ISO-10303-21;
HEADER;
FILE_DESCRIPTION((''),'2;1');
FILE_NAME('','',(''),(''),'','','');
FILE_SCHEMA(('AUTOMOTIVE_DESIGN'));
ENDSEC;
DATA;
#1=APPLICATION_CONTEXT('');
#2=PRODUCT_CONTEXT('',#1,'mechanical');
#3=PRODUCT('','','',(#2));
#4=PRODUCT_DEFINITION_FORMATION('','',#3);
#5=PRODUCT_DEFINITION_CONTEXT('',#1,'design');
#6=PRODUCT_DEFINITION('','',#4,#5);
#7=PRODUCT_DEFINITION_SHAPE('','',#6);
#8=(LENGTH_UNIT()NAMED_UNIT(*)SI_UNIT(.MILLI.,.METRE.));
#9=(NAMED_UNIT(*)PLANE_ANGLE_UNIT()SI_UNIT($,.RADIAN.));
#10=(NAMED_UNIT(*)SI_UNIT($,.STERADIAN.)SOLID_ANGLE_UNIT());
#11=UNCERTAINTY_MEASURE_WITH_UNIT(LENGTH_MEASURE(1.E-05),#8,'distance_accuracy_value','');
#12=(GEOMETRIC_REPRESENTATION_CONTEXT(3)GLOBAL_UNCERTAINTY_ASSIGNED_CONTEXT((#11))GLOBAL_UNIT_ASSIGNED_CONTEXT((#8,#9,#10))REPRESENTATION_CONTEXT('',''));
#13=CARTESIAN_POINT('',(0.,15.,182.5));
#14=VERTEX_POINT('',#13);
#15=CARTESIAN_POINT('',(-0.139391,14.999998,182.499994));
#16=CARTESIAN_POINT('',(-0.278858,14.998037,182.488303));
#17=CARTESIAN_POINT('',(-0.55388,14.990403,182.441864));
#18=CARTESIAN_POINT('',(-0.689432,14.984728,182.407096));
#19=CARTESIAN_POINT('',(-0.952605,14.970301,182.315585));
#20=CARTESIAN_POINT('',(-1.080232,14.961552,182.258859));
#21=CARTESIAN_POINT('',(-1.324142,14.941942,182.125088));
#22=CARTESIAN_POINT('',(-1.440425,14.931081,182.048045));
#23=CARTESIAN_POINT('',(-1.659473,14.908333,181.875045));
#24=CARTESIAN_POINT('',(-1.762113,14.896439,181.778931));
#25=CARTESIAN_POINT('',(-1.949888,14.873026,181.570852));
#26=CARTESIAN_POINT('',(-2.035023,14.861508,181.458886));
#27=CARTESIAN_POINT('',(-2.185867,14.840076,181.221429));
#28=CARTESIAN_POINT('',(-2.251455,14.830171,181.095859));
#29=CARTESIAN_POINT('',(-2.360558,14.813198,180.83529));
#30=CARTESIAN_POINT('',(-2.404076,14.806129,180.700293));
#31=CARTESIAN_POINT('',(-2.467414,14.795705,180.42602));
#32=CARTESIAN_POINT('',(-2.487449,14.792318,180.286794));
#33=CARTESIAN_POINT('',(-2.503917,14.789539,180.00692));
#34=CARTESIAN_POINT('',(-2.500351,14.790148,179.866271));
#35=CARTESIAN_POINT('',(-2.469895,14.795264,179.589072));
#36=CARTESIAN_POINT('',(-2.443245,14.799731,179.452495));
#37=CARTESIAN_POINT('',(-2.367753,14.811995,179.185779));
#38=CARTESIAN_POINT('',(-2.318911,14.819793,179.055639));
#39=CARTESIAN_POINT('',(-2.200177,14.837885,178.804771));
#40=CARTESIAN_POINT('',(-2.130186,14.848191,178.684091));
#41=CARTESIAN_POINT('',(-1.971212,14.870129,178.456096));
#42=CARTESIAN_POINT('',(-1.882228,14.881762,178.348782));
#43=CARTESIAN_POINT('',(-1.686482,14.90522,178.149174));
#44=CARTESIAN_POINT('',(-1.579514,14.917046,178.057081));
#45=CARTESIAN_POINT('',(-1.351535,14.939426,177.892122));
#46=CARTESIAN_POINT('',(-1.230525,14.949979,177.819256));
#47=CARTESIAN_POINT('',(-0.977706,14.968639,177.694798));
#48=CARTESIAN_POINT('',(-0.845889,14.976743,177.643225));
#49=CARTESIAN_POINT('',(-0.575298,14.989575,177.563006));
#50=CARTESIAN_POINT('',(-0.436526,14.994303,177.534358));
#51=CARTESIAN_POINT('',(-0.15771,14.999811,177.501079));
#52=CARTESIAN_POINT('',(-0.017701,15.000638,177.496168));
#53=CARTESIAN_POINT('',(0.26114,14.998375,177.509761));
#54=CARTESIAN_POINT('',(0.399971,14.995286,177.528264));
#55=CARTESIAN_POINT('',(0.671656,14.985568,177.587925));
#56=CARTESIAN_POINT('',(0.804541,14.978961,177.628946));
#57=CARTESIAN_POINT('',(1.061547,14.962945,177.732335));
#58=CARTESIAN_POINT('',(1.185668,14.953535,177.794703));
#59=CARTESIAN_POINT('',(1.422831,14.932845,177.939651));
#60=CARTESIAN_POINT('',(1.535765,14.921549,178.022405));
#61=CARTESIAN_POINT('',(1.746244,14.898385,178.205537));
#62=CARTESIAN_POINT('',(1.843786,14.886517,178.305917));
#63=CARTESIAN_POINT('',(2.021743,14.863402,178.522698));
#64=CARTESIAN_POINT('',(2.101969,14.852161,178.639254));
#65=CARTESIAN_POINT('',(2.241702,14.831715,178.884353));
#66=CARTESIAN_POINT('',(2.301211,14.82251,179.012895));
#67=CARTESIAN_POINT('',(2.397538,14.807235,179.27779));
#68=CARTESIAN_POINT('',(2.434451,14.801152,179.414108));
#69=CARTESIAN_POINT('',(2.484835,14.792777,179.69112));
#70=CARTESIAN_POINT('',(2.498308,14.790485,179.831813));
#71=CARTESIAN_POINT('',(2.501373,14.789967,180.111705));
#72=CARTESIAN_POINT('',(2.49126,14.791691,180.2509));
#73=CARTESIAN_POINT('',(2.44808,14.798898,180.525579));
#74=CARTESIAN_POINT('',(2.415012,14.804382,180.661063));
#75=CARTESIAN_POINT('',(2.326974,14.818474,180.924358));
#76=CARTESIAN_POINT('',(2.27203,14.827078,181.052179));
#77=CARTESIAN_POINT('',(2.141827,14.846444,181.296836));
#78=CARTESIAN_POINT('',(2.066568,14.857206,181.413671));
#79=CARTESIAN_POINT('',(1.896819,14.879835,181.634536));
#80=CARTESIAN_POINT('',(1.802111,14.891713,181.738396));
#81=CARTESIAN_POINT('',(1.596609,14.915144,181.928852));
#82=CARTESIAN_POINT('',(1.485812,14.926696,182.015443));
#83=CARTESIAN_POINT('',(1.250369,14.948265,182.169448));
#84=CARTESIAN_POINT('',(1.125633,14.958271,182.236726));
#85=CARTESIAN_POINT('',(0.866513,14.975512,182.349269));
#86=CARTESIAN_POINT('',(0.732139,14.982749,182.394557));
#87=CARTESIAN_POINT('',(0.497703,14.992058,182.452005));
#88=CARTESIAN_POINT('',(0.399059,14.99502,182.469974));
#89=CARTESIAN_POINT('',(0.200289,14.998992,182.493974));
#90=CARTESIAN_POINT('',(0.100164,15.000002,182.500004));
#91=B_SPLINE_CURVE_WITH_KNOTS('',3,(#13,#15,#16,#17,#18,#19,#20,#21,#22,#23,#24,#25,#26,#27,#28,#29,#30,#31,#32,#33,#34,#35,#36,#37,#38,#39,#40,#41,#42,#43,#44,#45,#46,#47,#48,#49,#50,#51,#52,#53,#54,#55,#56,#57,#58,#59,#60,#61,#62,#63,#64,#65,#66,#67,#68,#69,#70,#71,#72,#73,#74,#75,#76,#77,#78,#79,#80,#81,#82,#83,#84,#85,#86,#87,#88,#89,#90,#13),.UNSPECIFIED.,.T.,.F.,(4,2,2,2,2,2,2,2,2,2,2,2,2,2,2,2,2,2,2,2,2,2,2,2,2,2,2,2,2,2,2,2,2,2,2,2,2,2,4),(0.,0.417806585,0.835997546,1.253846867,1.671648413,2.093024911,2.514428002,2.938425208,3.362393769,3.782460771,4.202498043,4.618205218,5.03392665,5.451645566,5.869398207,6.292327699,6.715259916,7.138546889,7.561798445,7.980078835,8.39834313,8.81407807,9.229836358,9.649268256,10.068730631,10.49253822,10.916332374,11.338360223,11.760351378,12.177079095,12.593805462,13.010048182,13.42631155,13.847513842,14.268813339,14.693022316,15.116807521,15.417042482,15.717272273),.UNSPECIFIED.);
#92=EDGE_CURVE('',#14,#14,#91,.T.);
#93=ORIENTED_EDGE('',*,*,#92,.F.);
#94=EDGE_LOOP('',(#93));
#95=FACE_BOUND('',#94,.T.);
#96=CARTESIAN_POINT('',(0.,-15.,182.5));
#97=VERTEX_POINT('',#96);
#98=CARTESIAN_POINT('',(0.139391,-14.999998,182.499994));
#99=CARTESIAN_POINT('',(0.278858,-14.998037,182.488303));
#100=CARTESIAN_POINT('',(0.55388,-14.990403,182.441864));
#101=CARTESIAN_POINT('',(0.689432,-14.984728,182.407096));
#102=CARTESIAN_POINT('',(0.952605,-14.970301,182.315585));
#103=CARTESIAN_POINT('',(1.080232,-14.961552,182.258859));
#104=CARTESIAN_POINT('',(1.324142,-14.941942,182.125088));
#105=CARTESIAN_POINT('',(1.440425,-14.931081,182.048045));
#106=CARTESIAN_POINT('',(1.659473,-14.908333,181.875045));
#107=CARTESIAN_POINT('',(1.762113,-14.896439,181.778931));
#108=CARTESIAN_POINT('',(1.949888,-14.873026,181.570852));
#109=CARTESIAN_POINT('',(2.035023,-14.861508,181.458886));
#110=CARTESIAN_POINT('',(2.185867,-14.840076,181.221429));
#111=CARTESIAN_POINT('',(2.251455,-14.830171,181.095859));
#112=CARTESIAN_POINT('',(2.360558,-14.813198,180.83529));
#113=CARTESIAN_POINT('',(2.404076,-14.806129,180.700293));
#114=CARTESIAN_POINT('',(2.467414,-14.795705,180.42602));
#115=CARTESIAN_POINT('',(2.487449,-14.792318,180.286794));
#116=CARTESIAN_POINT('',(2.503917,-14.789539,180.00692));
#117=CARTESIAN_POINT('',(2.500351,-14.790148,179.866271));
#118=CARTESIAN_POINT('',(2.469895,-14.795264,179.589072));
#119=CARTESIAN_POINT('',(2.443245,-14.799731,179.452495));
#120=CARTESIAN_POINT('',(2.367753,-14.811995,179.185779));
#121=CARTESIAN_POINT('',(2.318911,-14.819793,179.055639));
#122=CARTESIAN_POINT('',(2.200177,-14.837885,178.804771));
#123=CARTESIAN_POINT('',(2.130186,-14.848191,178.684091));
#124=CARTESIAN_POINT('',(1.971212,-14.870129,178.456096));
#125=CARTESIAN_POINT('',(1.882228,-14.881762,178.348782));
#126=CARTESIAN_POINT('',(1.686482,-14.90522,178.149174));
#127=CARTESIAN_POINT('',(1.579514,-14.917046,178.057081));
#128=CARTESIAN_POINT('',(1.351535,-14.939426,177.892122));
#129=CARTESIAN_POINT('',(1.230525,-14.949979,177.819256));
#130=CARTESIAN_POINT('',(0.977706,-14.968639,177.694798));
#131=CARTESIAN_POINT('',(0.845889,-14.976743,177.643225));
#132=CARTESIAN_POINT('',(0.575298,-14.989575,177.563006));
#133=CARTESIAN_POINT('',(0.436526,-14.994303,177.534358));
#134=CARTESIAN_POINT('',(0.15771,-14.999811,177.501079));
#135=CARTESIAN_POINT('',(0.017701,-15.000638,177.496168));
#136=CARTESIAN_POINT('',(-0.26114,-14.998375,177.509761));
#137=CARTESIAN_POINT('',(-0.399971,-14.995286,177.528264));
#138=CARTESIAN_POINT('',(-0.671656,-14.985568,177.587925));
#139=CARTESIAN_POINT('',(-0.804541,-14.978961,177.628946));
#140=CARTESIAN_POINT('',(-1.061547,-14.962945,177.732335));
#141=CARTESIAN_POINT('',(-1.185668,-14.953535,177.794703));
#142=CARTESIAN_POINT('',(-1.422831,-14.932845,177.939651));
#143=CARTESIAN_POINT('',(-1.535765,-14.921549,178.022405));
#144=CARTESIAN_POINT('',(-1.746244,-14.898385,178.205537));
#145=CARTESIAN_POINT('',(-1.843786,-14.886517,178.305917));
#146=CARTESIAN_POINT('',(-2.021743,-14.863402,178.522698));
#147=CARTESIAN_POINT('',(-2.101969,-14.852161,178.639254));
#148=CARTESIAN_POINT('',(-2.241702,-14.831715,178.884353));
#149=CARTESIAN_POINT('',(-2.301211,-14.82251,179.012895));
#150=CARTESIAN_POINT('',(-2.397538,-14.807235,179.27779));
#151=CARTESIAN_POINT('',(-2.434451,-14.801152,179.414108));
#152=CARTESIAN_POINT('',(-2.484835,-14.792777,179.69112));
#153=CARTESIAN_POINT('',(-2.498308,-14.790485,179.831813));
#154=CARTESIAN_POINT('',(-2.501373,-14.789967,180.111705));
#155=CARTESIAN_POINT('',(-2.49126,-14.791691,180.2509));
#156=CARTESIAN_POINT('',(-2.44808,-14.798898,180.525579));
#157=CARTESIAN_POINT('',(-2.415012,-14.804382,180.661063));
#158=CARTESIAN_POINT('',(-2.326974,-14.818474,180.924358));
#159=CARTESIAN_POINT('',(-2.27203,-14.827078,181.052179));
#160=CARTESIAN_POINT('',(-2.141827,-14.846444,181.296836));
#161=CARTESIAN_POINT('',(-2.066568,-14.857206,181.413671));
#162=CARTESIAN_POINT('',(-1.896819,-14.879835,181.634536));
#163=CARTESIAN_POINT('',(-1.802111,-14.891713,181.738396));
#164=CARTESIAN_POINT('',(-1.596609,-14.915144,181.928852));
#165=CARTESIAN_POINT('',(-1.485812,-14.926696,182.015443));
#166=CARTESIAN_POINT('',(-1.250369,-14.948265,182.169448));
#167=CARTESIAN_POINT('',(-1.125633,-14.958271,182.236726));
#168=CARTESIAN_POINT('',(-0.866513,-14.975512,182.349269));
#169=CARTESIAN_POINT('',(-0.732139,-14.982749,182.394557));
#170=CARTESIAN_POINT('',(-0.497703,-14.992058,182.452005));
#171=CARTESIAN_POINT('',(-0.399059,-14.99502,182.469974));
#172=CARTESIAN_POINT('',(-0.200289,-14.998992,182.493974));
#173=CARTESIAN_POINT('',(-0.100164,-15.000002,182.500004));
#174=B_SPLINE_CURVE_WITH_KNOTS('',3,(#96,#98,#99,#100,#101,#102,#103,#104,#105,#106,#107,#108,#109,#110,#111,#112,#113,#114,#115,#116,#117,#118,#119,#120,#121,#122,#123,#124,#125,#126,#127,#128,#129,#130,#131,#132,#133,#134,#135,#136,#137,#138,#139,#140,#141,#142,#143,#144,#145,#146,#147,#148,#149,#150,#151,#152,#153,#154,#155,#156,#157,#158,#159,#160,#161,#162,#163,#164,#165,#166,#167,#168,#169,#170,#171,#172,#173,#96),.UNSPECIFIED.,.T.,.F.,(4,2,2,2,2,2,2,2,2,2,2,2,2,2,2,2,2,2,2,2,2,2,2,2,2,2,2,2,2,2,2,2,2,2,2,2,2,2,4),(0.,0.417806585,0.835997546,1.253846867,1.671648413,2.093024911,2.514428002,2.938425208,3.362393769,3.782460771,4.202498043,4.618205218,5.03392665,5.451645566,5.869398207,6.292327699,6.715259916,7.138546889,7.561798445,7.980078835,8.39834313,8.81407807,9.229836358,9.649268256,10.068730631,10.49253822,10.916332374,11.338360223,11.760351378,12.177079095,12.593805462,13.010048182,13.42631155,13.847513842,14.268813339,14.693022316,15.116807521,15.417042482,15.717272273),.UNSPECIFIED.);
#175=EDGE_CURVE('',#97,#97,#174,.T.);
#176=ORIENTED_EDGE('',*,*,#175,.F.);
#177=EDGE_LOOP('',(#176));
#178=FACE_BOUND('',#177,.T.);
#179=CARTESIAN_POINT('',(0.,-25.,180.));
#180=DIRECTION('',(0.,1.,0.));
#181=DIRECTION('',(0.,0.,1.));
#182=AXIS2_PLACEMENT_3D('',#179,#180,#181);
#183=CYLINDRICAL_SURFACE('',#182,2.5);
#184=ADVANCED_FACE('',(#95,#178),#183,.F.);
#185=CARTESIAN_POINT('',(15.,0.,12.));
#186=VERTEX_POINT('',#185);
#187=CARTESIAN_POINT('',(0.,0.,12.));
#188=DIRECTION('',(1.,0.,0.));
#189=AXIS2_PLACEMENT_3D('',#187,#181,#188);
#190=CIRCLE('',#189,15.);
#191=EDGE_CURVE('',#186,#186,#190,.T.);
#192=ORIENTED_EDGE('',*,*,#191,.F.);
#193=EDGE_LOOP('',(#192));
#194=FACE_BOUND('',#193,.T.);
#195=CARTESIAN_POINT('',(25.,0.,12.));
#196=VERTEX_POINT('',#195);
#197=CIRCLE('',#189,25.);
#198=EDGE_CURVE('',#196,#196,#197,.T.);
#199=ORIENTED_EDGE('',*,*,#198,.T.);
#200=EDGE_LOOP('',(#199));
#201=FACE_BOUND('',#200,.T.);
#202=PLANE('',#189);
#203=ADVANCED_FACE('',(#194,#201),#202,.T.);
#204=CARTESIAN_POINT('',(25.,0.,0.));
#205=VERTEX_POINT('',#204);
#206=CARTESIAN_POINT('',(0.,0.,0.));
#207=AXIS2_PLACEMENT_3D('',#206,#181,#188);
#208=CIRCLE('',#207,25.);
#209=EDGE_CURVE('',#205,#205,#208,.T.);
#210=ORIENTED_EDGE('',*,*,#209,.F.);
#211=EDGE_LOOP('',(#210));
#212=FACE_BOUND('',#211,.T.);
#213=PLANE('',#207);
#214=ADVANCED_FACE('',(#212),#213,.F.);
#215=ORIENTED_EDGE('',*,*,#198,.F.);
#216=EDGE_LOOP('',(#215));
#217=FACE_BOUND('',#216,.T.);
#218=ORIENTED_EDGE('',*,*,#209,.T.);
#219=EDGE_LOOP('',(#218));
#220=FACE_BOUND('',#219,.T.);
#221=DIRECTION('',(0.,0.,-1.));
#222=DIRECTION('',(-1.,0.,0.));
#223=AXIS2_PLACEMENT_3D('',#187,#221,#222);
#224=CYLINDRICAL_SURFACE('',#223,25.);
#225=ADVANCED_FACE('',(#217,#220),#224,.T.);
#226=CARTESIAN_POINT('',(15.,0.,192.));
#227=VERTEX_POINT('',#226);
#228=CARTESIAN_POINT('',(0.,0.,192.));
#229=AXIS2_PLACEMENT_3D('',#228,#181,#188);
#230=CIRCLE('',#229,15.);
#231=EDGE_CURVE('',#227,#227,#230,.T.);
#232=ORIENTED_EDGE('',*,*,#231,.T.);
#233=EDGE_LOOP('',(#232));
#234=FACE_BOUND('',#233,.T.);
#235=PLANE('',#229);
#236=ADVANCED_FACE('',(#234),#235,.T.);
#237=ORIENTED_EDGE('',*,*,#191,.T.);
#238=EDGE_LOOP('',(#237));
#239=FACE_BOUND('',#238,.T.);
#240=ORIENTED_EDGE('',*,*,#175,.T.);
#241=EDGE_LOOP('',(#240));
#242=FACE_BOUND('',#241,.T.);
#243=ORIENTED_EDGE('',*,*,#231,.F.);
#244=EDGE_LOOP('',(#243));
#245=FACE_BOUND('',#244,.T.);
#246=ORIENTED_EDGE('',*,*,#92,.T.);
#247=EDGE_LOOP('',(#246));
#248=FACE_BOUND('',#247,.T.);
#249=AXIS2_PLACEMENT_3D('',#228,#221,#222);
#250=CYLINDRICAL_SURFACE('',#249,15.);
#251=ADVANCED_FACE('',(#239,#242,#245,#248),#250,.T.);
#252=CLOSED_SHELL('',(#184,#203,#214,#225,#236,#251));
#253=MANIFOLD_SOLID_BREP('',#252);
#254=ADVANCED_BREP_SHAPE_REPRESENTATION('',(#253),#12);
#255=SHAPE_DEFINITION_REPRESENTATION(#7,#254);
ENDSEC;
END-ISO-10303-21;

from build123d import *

# Parameters (mm, degrees)
SKETCH1_R               = 25
BOSS_EXTRUDE1_DEPTH     = 12
SKETCH2_R               = 15
BOSS_EXTRUDE2_DEPTH     = 180
CUT_EXTRUDE1_DEPTH      = 196.228071752
CUT_EXTRUDE1_DEPTH_BACK = 196.228071752
SKETCH3_R               = 2.5


with BuildPart() as part:
    # Sketch1 → Boss-Extrude1 (new body)
    with BuildSketch(Plane.XY):
        Circle(SKETCH1_R)
    extrude(amount=BOSS_EXTRUDE1_DEPTH)

    # Sketch2 → Boss-Extrude2 (add)
    with BuildSketch(Plane.XY.offset(12)):
        with Locations(Location((0, 0, 0), (0, 0, 180))):
            Circle(SKETCH2_R)
    extrude(amount=BOSS_EXTRUDE2_DEPTH)

    # Sketch3 → Cut-Extrude1 (cut, two sides: drawn at the far end of the back side and taken through both)
    with BuildSketch(Plane(origin=(0, 0, 0), x_dir=(1, 0, 0), z_dir=(0, 1, 0)).offset(-CUT_EXTRUDE1_DEPTH_BACK)):
        with Locations(Location((0, -180, 0), (0, 0, 270))):
            Circle(SKETCH3_R)
    extrude(amount=CUT_EXTRUDE1_DEPTH + CUT_EXTRUDE1_DEPTH_BACK, mode=Mode.SUBTRACT)


solid = part.part
